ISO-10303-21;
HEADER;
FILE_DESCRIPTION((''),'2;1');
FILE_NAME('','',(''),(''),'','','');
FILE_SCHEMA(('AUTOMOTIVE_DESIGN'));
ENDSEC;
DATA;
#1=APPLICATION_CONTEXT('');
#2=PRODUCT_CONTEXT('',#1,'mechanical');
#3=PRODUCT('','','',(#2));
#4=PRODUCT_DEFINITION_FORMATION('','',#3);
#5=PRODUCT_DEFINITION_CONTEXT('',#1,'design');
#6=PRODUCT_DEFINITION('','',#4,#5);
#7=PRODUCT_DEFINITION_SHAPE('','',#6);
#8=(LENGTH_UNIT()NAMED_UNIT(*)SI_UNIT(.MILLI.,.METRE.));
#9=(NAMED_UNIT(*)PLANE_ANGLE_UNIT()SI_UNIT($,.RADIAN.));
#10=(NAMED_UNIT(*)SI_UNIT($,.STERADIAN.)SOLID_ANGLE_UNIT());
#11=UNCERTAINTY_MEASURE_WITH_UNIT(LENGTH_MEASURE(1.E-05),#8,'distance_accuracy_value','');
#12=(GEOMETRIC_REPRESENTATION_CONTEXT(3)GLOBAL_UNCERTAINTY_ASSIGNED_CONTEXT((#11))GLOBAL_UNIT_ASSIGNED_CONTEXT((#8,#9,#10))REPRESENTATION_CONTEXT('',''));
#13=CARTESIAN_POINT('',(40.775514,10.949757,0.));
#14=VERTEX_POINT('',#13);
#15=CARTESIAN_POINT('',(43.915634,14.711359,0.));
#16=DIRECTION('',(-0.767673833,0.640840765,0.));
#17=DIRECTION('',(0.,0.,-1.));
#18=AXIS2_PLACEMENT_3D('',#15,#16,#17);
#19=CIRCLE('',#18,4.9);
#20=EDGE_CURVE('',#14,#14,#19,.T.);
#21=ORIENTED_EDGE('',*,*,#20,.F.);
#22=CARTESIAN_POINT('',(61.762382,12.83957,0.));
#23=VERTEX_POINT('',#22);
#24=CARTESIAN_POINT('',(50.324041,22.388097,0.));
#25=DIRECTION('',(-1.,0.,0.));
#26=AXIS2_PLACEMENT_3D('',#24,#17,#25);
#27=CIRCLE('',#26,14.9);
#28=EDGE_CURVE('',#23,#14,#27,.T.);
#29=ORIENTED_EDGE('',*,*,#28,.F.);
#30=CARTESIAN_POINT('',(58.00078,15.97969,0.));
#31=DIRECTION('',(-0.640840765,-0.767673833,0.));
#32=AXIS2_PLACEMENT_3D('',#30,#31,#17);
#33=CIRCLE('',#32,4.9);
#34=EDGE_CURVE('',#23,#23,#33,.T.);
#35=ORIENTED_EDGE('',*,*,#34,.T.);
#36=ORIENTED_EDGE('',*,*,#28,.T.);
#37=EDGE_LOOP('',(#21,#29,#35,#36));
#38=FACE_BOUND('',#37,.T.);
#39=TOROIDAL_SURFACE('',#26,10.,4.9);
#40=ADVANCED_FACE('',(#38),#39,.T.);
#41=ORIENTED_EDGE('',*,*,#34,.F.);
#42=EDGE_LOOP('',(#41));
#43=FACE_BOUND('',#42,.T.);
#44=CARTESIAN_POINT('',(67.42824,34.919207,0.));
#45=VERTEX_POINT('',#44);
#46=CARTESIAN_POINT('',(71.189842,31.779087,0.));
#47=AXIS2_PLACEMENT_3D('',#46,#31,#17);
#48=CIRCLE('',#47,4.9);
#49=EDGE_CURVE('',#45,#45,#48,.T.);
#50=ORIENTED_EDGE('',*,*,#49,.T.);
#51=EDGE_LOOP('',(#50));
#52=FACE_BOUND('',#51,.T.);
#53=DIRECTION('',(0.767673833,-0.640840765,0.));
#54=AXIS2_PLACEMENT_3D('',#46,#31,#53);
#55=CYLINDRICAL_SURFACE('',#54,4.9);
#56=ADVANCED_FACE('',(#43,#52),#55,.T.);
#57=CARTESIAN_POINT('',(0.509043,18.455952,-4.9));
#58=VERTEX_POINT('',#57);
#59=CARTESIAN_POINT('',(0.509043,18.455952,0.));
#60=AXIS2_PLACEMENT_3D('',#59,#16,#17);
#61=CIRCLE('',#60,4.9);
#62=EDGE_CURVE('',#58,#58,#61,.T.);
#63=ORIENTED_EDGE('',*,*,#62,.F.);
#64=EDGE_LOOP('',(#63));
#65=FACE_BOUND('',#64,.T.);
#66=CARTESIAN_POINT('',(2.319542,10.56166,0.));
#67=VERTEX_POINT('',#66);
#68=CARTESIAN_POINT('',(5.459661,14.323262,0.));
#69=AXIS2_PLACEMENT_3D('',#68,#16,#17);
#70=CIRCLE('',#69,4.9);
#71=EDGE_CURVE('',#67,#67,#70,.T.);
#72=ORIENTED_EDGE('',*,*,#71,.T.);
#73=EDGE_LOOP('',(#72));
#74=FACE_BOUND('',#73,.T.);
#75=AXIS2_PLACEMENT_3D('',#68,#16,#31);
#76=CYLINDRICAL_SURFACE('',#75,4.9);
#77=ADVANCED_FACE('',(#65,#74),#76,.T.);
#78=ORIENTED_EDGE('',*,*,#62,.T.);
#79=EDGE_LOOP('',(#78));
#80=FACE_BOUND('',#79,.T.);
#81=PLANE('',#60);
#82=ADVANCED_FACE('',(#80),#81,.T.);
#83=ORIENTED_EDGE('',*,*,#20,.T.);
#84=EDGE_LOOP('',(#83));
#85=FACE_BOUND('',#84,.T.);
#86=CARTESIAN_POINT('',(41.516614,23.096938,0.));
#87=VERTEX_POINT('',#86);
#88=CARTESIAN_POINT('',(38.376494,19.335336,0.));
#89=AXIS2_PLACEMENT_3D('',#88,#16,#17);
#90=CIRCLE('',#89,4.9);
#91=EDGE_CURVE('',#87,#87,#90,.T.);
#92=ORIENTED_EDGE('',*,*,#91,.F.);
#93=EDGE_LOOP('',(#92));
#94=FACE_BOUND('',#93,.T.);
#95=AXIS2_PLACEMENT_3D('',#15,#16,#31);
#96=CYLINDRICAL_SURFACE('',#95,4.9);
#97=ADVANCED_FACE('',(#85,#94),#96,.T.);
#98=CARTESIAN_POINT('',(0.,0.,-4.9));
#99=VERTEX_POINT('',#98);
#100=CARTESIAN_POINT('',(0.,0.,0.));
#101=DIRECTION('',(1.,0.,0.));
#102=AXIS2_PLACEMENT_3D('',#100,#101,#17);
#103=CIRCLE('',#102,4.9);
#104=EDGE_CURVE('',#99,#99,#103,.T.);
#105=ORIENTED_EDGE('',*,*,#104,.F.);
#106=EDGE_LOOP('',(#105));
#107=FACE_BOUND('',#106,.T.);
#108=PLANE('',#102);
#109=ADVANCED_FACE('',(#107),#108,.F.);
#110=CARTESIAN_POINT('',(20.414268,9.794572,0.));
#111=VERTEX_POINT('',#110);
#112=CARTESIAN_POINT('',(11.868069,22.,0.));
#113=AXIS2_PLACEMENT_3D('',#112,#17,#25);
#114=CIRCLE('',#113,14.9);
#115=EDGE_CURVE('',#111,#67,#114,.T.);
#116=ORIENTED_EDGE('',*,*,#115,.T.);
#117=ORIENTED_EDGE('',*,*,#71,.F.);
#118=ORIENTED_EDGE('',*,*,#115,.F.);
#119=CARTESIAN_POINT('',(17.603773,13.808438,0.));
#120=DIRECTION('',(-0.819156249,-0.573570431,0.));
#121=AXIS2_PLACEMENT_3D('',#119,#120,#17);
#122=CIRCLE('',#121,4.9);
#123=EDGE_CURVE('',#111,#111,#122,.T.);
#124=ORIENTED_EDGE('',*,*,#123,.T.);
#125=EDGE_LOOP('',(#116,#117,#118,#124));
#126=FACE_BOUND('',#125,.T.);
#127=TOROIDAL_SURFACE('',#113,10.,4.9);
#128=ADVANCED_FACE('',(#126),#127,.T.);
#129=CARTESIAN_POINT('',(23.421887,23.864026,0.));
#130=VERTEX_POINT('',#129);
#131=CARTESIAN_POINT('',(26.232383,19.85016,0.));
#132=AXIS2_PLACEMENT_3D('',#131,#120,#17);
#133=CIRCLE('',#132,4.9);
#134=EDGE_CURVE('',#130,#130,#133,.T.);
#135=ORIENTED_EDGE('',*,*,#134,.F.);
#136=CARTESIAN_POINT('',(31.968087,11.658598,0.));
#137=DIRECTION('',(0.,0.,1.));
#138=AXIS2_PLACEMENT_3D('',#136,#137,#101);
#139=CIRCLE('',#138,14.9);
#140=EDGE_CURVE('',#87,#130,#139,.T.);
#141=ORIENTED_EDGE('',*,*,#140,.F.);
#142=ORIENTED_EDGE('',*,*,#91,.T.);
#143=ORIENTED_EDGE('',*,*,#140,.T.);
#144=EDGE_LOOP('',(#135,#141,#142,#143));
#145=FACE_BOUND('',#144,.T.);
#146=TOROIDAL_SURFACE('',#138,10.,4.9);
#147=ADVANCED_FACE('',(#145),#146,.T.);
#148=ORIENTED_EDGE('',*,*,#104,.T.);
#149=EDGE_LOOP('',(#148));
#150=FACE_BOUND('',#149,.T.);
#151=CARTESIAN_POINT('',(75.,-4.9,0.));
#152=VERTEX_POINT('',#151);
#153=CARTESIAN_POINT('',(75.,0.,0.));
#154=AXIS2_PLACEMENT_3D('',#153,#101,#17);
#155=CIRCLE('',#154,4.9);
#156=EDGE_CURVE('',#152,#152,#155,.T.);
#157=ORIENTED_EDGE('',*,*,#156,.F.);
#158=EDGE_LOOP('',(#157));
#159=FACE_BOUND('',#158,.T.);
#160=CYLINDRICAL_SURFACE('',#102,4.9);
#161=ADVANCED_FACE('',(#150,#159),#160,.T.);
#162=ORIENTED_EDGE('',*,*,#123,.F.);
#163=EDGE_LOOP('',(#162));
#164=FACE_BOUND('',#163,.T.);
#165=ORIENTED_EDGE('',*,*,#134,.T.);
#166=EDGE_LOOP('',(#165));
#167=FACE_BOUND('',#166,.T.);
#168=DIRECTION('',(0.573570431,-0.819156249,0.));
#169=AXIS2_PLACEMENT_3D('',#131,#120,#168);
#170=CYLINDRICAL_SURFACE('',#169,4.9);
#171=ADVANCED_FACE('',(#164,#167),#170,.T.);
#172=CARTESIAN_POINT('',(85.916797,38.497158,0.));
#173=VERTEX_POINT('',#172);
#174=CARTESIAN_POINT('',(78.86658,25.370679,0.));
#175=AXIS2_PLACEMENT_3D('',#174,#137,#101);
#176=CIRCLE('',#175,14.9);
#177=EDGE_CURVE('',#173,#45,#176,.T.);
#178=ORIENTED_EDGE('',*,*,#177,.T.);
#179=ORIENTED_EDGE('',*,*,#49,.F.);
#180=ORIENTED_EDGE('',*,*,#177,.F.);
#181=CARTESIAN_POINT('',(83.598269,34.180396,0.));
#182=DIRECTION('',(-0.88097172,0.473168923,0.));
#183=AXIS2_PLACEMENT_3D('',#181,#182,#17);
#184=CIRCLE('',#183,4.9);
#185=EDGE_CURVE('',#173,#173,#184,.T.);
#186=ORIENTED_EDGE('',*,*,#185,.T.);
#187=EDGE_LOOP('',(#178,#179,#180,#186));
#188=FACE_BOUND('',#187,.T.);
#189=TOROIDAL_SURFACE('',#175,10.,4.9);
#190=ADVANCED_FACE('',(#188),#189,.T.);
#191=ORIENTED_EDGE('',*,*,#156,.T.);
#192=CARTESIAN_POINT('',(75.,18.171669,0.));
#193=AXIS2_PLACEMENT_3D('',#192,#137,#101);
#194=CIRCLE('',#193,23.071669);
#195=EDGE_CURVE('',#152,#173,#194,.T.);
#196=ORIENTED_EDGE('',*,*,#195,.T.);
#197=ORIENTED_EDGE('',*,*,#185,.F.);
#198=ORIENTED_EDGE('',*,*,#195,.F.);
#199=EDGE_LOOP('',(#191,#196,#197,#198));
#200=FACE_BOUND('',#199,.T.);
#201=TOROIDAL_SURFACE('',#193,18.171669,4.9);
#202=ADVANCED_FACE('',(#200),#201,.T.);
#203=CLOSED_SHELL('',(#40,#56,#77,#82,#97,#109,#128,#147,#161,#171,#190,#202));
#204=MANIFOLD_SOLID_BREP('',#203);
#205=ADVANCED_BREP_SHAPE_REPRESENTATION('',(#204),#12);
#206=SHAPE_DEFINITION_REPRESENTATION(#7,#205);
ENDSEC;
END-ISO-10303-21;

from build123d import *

# Parameters (mm, degrees)
SKETCH2_R = 4.9


with BuildPart() as part:
    # Sweep1: sweep along a path in Sketch1
    with BuildLine(Plane.XY) as sweep1_path:
        Line((0, 0), (75, 0))
        ThreePointArc((75, 0), (92.622639779, 13.738596191), (83.598269269, 34.180396379))
        ThreePointArc((83.598269269, 34.180396379), (76.966606242, 35.188525158), (71.189841712, 31.779086834))
        Line((71.189841712, 31.779086834), (58.000779789, 15.97968974))
        ThreePointArc((58.000779789, 15.97968974), (51.220886684, 12.428395153), (43.915633809, 14.711359059))
        Line((43.915633809, 14.711359059), (38.376494478, 19.33533624))
        ThreePointArc((38.376494478, 19.33533624), (32.391635437, 21.649624212), (26.232382515, 19.8501604))
        Line((26.232382515, 19.8501604), (17.603773383, 13.808437509))
        ThreePointArc((17.603773383, 13.808437509), (11.444520462, 12.008973698), (5.45966142, 14.32326167))
        Line((5.45966142, 14.32326167), (0.509042861, 18.455951945))
    # Sketch2 → Sweep1 (sweep)
    with BuildSketch(Plane(origin=(0, 0, 0), x_dir=(0, 0, -1), z_dir=(1, 0, 0))):
        Circle(SKETCH2_R)
    sweep(path=sweep1_path.line)


solid = part.part
